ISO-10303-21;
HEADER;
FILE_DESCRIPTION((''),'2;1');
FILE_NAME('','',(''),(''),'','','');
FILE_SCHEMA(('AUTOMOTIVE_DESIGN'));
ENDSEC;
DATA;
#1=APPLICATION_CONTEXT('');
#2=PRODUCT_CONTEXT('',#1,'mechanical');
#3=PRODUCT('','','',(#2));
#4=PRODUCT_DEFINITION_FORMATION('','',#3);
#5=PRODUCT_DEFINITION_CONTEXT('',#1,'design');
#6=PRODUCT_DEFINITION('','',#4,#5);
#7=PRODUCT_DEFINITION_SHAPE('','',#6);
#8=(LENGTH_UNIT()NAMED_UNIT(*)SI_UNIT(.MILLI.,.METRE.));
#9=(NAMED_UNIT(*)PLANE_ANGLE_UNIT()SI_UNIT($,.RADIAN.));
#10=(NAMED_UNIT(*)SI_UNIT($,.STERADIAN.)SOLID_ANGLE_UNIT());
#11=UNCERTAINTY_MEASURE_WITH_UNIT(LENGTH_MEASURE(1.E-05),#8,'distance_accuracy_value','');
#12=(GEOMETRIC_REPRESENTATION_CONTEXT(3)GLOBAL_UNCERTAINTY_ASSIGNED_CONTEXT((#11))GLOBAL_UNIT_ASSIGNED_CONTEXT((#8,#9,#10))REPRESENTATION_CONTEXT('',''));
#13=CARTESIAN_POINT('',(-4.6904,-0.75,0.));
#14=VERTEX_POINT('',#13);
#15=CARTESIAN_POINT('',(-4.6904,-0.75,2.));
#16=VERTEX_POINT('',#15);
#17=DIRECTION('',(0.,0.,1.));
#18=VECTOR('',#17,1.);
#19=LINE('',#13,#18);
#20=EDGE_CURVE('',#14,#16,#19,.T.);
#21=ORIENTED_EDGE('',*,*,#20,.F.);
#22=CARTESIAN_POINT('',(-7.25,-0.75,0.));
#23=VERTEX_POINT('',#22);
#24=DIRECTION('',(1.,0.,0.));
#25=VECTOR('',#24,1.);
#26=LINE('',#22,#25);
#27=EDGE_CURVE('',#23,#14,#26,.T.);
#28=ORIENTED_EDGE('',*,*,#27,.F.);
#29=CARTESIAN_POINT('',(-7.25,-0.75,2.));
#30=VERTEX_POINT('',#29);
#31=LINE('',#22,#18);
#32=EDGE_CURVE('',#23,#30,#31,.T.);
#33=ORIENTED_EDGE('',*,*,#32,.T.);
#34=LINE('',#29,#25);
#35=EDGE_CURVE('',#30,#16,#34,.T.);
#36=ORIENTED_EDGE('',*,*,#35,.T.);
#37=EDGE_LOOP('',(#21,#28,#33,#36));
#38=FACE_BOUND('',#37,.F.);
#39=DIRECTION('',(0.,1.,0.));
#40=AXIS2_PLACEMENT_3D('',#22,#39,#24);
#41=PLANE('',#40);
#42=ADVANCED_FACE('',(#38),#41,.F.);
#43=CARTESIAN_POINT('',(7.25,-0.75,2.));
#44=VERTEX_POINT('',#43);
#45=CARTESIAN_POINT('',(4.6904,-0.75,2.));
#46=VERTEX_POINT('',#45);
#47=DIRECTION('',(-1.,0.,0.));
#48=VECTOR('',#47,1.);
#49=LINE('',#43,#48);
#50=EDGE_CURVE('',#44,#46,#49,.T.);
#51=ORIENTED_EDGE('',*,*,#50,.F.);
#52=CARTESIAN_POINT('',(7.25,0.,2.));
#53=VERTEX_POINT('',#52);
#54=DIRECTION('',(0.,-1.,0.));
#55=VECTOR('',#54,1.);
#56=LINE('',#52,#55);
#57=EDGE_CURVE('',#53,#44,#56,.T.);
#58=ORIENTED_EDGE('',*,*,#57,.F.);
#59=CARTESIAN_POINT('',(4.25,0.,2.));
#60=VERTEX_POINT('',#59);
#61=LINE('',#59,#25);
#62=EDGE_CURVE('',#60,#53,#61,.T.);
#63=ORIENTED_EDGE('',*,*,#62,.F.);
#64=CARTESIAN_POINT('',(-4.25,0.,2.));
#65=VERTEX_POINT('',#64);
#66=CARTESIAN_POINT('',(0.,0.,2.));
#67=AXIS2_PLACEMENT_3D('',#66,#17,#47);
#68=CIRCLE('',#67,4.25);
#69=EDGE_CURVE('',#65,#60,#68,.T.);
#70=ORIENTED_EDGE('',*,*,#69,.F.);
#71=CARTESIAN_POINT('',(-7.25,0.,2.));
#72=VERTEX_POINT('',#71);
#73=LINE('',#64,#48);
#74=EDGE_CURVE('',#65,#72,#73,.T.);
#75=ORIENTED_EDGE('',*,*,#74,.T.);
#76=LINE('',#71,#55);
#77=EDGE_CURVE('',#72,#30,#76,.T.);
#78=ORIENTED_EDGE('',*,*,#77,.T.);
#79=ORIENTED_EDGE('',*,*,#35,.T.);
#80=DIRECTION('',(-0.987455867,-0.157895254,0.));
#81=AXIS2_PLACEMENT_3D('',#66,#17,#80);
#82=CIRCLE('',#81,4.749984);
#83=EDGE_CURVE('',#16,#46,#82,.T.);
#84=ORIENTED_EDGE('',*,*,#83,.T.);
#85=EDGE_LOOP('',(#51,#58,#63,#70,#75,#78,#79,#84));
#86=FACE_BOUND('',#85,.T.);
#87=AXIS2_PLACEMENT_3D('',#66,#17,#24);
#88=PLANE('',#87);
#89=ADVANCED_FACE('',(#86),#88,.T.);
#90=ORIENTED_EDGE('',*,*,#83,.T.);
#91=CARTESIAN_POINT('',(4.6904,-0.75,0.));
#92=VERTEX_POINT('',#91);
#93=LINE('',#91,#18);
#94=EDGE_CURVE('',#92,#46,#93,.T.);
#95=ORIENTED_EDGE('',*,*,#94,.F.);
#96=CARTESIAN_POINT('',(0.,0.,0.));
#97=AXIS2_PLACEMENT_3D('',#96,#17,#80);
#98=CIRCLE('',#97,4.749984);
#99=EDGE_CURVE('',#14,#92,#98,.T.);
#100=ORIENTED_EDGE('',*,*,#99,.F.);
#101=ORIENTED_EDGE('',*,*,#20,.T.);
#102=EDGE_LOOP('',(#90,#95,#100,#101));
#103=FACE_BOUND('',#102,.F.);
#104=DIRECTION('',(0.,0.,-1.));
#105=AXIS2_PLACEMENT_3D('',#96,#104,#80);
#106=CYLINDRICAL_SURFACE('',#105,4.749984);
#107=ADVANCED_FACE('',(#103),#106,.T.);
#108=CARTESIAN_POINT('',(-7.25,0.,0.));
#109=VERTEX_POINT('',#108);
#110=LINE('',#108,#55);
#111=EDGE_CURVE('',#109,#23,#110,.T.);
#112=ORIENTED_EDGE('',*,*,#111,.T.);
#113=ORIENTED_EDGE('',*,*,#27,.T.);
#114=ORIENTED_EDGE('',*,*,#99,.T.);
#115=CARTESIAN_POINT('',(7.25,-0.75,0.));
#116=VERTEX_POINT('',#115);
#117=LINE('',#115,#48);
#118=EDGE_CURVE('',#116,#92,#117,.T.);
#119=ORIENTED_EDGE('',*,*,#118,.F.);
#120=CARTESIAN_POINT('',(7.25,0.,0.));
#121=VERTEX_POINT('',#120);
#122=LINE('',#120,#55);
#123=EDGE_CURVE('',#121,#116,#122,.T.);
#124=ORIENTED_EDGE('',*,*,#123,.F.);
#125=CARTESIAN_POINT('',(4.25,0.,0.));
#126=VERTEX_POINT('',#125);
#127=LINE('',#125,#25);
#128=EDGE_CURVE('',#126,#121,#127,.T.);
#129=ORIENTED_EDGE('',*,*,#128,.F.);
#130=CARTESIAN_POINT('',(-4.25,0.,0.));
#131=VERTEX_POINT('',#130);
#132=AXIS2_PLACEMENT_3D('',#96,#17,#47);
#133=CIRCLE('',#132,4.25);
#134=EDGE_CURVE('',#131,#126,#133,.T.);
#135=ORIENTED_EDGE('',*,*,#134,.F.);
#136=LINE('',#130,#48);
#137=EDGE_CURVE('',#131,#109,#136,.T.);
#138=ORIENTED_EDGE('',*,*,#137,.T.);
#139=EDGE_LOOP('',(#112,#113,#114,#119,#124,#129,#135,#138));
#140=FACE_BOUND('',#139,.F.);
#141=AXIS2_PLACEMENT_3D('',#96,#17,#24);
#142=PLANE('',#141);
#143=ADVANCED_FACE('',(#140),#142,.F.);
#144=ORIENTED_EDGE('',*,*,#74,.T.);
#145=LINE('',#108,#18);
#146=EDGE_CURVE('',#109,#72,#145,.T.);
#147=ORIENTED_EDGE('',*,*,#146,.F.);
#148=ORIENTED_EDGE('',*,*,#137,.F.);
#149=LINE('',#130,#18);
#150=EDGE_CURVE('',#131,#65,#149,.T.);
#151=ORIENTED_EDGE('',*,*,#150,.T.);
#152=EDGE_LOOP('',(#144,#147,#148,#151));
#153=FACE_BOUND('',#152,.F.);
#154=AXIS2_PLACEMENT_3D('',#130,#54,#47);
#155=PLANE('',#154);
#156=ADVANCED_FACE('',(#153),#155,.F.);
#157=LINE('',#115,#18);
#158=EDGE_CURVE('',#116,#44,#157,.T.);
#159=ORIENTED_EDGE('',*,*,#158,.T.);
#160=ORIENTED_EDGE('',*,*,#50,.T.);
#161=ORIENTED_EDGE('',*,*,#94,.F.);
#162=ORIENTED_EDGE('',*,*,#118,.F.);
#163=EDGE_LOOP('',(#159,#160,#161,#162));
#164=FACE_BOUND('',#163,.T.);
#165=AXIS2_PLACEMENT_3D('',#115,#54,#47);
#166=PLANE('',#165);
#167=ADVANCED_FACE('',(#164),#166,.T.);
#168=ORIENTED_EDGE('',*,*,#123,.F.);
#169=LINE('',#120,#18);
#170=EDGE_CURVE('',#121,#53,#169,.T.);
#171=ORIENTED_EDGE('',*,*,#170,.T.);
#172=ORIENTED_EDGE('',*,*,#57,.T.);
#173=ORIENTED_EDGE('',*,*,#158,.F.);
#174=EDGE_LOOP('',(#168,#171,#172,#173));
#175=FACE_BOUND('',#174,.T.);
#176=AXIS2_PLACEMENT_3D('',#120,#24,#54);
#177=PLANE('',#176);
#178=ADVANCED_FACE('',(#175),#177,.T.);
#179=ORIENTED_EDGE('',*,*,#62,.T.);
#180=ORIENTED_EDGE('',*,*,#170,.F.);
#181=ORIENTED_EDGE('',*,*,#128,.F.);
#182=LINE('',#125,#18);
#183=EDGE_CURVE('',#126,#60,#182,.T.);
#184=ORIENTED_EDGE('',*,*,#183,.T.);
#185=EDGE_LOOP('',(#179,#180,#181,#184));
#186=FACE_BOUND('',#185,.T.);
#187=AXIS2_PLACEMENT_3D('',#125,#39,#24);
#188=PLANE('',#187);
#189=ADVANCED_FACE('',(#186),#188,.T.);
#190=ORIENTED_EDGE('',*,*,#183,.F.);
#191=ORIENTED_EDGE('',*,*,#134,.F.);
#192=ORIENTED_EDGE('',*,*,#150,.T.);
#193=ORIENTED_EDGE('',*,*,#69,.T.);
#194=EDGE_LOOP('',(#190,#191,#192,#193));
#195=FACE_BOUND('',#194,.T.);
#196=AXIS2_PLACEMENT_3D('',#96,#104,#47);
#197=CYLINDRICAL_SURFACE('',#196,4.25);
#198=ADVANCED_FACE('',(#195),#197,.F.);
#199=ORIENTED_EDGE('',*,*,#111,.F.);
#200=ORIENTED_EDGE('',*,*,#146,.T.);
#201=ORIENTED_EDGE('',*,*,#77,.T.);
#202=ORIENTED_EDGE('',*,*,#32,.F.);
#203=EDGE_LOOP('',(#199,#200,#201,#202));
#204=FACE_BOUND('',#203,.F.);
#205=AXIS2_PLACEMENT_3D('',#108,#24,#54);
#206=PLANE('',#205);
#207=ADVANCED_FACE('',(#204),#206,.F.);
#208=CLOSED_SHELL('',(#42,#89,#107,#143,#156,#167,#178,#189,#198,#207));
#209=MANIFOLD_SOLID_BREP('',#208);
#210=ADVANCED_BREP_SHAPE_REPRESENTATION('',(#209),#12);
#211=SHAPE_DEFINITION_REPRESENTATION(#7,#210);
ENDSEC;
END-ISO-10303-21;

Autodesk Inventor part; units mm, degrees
ref_plane "YZ Plane" through (0, 0, 0) normal (1, 0, 0) x (0, 1, 0)
ref_plane "XZ Plane" through (0, 0, 0) normal (0, 1, 0) x (-1, 0, 0)
ref_plane "XY Plane" through (0, 0, 0) normal (0, 0, 1) x (1, 0, 0)
sketch "Sketch2" plane through (0, 0, 0) normal (0, 0, 1) x (1, 0, 0)
  arc A0 (-4.25, 0) -> (4.25, 0) centre (0, 0) ccw
  line L0 (4.25, 0) -> (7.25, 0)
  line L1 (-4.25, 0) -> (-7.25, 0)
  arc A1 (-4.6904, -0.75) -> (4.6904, -0.75) centre (0, 0) ccw
  line L2 (-7.25, 0) -> (-7.25, -0.75)
  line L3 (-7.25, -0.75) -> (-4.6904, -0.75)
  line L4 (7.25, 0) -> (7.25, -0.75)
  line L5 (7.25, -0.75) -> (4.6904, -0.75)
  dimension "d8" = 8.5
  dimension "d9" = 3
  dimension "d10" = 3
  dimension "d11" = 9.5
  dimension "d12" = 0.75
extrude "Extrusion2" add sketch "Sketch2" along normal blind 2
